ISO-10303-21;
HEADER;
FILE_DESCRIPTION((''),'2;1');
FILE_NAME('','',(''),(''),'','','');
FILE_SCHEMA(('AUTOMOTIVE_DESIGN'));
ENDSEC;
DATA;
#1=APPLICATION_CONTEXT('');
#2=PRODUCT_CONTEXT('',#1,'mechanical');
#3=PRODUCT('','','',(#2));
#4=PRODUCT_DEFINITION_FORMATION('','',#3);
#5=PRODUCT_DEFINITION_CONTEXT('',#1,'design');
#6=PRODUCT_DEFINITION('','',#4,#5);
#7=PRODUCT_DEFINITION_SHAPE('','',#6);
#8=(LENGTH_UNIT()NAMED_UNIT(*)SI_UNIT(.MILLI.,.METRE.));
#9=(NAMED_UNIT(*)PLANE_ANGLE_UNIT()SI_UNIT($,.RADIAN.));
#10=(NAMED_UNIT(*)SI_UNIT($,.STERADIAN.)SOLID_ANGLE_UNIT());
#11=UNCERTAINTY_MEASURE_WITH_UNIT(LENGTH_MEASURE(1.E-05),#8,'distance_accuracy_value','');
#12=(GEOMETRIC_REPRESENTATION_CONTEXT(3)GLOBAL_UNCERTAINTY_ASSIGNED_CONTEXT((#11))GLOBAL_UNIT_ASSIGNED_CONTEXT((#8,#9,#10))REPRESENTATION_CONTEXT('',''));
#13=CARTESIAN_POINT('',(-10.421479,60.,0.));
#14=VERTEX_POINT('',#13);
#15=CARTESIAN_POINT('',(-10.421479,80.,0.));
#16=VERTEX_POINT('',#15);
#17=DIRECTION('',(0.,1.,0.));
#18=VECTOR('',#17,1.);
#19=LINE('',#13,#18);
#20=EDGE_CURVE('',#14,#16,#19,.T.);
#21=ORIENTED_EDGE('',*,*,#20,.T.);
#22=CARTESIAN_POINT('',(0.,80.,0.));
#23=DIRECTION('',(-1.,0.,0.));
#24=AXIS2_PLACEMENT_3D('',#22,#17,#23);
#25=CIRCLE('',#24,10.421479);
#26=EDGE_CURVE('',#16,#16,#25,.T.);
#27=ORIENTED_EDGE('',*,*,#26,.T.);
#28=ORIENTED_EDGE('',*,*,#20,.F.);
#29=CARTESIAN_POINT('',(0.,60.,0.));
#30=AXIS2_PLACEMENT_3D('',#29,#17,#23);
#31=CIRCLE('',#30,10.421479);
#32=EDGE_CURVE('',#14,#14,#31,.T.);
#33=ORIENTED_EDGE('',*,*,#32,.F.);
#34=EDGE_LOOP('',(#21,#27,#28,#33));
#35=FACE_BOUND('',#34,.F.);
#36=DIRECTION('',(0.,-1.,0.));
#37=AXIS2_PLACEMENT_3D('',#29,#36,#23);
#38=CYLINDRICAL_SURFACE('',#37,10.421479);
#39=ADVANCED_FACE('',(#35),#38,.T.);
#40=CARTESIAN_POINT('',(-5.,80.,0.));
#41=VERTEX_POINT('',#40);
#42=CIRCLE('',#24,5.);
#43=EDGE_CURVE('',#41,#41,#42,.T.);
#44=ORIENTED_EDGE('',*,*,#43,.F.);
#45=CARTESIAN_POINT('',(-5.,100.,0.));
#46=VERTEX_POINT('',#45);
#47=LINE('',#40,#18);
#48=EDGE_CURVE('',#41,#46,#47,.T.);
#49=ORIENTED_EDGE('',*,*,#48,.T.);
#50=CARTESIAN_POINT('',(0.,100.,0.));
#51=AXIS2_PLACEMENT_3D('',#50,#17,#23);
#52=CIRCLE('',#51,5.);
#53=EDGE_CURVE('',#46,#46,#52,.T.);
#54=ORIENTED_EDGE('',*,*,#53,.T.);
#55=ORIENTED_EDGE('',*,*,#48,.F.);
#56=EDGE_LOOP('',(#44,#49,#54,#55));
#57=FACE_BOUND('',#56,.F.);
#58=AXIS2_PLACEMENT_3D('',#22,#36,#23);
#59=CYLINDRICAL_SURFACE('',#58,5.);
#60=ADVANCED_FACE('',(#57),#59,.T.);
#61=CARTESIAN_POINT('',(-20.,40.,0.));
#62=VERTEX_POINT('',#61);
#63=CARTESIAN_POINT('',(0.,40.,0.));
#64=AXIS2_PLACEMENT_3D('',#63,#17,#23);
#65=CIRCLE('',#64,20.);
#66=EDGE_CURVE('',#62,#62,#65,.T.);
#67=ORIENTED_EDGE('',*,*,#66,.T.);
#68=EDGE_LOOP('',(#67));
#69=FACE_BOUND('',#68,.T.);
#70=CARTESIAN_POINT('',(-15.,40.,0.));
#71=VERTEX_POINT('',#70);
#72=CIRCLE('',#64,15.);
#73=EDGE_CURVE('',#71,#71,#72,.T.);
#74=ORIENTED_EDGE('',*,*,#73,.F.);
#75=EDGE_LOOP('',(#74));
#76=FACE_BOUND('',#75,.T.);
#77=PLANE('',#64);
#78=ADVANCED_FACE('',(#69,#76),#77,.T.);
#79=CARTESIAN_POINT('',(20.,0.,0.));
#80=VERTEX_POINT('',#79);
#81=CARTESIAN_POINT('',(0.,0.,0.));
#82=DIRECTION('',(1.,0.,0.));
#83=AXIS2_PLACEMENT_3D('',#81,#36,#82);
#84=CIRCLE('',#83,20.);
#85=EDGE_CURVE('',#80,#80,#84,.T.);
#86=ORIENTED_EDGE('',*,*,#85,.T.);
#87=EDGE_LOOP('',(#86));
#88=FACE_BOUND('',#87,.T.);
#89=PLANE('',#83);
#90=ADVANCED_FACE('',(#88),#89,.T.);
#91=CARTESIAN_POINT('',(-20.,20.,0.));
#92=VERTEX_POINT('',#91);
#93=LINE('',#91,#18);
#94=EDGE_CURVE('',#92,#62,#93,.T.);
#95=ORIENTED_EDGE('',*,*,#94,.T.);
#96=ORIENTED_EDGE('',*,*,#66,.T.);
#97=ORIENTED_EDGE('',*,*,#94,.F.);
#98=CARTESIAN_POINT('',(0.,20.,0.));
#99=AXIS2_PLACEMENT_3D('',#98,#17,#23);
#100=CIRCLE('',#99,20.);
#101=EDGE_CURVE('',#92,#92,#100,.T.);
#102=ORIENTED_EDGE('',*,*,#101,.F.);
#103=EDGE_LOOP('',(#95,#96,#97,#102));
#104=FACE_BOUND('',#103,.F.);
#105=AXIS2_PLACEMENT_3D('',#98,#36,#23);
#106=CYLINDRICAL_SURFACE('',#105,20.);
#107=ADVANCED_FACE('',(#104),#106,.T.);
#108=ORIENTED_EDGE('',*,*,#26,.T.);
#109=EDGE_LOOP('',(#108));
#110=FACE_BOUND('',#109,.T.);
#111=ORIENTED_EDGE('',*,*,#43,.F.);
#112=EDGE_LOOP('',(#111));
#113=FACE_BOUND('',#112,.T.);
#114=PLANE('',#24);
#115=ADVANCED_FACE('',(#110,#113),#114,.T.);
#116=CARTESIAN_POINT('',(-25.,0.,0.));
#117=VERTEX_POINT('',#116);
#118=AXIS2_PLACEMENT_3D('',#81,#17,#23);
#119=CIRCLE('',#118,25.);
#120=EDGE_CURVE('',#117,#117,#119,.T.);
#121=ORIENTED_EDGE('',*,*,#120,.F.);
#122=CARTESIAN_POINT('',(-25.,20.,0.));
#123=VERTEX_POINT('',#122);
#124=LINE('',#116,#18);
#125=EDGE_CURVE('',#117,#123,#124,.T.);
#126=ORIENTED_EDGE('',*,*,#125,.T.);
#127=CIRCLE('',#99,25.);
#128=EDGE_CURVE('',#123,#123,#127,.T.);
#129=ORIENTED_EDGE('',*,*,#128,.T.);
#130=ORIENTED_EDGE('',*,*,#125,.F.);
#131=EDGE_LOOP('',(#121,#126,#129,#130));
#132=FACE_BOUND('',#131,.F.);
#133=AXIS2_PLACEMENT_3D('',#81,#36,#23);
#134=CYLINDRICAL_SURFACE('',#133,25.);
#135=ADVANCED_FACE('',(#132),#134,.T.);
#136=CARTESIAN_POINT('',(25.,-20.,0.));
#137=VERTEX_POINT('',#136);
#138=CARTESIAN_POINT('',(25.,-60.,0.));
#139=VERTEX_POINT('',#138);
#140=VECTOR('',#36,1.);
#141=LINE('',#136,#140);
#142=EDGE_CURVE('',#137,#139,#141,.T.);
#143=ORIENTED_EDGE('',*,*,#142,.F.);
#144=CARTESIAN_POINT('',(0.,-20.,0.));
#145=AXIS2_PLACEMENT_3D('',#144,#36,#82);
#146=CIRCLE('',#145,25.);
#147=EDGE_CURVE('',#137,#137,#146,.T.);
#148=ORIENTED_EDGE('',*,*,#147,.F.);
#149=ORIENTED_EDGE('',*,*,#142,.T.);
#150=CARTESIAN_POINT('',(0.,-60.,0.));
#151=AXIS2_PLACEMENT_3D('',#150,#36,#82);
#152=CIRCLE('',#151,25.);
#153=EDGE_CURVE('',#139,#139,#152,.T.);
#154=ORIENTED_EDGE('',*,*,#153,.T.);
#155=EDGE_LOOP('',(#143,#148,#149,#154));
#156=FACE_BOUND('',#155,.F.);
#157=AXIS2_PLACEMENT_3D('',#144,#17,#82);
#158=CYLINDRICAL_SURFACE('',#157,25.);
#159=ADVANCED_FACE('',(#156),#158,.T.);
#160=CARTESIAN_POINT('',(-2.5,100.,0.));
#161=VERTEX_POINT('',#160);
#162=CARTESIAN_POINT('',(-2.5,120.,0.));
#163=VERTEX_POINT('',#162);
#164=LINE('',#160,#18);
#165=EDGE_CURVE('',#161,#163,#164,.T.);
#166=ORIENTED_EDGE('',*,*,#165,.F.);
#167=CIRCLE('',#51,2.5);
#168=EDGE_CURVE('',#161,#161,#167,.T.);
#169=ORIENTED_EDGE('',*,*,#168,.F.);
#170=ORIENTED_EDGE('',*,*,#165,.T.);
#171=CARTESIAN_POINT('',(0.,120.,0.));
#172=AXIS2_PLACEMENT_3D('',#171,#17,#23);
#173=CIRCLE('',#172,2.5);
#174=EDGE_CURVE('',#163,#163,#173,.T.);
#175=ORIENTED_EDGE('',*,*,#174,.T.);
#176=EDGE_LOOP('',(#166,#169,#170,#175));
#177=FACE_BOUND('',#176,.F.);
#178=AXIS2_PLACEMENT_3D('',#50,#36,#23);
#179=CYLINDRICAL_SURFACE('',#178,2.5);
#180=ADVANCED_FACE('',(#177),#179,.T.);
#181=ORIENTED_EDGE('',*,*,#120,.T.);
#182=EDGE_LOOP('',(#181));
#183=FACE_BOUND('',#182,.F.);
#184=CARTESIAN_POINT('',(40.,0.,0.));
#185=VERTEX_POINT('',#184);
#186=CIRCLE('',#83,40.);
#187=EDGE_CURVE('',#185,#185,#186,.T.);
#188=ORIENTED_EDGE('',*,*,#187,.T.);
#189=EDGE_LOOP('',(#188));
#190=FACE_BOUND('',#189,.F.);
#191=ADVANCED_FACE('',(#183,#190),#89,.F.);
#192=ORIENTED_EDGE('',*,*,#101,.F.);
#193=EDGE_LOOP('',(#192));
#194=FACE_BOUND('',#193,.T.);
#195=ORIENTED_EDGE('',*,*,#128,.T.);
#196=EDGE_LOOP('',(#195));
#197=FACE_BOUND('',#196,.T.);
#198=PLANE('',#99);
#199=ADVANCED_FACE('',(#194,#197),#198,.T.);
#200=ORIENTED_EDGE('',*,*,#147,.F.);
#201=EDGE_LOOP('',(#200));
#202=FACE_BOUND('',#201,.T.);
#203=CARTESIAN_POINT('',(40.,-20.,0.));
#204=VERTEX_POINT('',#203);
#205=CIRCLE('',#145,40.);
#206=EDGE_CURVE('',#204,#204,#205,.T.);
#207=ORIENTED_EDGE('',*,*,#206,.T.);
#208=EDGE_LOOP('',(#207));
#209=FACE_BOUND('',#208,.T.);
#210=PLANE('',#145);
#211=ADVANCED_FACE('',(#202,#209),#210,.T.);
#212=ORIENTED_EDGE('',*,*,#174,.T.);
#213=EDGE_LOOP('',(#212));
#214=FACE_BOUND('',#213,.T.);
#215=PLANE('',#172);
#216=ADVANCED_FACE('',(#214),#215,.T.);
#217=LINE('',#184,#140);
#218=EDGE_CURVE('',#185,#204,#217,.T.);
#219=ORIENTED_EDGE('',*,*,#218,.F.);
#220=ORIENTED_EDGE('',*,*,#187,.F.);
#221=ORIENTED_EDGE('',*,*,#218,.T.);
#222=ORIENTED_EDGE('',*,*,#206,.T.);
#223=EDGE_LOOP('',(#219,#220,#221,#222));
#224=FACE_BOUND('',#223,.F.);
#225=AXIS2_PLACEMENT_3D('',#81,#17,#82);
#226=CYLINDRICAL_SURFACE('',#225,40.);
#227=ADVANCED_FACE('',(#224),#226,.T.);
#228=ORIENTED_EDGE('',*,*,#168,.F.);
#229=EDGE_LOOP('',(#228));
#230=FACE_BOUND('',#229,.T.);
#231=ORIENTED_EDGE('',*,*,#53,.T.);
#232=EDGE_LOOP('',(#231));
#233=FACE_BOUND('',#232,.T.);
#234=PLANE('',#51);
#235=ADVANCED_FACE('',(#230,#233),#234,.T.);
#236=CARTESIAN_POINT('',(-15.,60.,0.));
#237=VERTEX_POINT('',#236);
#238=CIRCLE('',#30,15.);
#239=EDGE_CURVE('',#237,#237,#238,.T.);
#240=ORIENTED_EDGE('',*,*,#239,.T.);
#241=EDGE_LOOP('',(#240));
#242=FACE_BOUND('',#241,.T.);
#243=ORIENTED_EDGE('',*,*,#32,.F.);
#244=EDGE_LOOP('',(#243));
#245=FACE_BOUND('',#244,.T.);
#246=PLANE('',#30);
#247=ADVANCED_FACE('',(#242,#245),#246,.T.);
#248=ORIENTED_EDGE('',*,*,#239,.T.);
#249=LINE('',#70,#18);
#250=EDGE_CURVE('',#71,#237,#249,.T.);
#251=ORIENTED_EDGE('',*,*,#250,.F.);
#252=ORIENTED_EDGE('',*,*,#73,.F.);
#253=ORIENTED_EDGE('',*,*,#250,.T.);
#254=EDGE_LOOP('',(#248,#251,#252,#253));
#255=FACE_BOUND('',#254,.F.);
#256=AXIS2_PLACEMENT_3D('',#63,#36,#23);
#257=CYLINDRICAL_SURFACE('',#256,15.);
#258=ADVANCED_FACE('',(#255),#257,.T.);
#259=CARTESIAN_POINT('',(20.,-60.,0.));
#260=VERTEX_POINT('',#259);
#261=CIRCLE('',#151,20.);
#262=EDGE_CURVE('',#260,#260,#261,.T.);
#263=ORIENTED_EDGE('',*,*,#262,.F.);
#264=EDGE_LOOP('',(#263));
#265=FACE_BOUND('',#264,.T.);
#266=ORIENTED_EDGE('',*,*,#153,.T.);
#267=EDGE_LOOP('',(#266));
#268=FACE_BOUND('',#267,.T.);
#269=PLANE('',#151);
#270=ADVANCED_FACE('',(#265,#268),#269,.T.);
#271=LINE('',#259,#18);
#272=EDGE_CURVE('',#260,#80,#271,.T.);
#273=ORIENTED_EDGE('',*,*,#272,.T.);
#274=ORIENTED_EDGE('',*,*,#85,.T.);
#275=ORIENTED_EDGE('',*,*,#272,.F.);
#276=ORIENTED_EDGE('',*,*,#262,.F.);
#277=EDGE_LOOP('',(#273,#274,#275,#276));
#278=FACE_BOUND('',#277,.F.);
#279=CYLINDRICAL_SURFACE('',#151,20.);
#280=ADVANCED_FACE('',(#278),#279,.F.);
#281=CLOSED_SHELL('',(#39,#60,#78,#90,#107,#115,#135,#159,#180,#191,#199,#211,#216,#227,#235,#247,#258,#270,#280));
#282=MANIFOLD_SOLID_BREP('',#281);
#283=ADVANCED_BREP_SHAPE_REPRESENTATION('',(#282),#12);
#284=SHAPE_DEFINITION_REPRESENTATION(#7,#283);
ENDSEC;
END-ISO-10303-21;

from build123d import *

# Parameters (mm, degrees)
F0_R      = 40
F1_DEPTH  = 20
F2_R      = 25
F3_DEPTH  = 20
F4_R      = 20
F5_DEPTH  = 20
F6_R      = 15
F7_DEPTH  = 20
F8_R      = 10.4214785956
F9_DEPTH  = 20
F10_R     = 5
F11_DEPTH = 20
F12_R     = 2.5
F13_DEPTH = 20
F14_R     = 25
F15_DEPTH = 40
F16_R     = 20
F17_DEPTH = 60


with BuildPart() as f1:
    # F0 (on Front) → F1 (new body)
    with BuildSketch(Plane.XZ):
        Circle(F0_R)
    extrude(amount=F1_DEPTH)

    # F2 (on face) → F3 (join)
    with BuildSketch(Plane(origin=(0, 0, 0), x_dir=(-1, 0, 0), z_dir=(0, 1, 0))):
        Circle(F2_R)
    extrude(amount=F3_DEPTH)

    # F4 (on face) → F5 (join)
    with BuildSketch(Plane(origin=(0, 20, 0), x_dir=(-1, 0, 0), z_dir=(0, 1, 0))):
        Circle(F4_R)
    extrude(amount=F5_DEPTH)

    # F6 (on face) → F7 (join)
    with BuildSketch(Plane(origin=(0, 40, 0), x_dir=(-1, 0, 0), z_dir=(0, 1, 0))):
        Circle(F6_R)
    extrude(amount=F7_DEPTH)

    # F8 (on face) → F9 (join)
    with BuildSketch(Plane(origin=(0, 60, 0), x_dir=(-1, 0, 0), z_dir=(0, 1, 0))):
        Circle(F8_R)
    extrude(amount=F9_DEPTH)

    # F10 (on face) → F11 (join)
    with BuildSketch(Plane(origin=(0, 80, 0), x_dir=(-1, 0, 0), z_dir=(0, 1, 0))):
        Circle(F10_R)
    extrude(amount=F11_DEPTH)

    # F12 (on face) → F13 (join)
    with BuildSketch(Plane(origin=(0, 100, 0), x_dir=(-1, 0, 0), z_dir=(0, 1, 0))):
        Circle(F12_R)
    extrude(amount=F13_DEPTH)

    # F14 (on face) → F15 (join)
    with BuildSketch(Plane.XZ.offset(20)):
        Circle(F14_R)
    extrude(amount=F15_DEPTH)

    # F16 (on face) → F17 (cut)
    with BuildSketch(Plane.XZ.offset(60)):
        Circle(F16_R)
    extrude(amount=-F17_DEPTH, mode=Mode.SUBTRACT)


solid = f1.part
